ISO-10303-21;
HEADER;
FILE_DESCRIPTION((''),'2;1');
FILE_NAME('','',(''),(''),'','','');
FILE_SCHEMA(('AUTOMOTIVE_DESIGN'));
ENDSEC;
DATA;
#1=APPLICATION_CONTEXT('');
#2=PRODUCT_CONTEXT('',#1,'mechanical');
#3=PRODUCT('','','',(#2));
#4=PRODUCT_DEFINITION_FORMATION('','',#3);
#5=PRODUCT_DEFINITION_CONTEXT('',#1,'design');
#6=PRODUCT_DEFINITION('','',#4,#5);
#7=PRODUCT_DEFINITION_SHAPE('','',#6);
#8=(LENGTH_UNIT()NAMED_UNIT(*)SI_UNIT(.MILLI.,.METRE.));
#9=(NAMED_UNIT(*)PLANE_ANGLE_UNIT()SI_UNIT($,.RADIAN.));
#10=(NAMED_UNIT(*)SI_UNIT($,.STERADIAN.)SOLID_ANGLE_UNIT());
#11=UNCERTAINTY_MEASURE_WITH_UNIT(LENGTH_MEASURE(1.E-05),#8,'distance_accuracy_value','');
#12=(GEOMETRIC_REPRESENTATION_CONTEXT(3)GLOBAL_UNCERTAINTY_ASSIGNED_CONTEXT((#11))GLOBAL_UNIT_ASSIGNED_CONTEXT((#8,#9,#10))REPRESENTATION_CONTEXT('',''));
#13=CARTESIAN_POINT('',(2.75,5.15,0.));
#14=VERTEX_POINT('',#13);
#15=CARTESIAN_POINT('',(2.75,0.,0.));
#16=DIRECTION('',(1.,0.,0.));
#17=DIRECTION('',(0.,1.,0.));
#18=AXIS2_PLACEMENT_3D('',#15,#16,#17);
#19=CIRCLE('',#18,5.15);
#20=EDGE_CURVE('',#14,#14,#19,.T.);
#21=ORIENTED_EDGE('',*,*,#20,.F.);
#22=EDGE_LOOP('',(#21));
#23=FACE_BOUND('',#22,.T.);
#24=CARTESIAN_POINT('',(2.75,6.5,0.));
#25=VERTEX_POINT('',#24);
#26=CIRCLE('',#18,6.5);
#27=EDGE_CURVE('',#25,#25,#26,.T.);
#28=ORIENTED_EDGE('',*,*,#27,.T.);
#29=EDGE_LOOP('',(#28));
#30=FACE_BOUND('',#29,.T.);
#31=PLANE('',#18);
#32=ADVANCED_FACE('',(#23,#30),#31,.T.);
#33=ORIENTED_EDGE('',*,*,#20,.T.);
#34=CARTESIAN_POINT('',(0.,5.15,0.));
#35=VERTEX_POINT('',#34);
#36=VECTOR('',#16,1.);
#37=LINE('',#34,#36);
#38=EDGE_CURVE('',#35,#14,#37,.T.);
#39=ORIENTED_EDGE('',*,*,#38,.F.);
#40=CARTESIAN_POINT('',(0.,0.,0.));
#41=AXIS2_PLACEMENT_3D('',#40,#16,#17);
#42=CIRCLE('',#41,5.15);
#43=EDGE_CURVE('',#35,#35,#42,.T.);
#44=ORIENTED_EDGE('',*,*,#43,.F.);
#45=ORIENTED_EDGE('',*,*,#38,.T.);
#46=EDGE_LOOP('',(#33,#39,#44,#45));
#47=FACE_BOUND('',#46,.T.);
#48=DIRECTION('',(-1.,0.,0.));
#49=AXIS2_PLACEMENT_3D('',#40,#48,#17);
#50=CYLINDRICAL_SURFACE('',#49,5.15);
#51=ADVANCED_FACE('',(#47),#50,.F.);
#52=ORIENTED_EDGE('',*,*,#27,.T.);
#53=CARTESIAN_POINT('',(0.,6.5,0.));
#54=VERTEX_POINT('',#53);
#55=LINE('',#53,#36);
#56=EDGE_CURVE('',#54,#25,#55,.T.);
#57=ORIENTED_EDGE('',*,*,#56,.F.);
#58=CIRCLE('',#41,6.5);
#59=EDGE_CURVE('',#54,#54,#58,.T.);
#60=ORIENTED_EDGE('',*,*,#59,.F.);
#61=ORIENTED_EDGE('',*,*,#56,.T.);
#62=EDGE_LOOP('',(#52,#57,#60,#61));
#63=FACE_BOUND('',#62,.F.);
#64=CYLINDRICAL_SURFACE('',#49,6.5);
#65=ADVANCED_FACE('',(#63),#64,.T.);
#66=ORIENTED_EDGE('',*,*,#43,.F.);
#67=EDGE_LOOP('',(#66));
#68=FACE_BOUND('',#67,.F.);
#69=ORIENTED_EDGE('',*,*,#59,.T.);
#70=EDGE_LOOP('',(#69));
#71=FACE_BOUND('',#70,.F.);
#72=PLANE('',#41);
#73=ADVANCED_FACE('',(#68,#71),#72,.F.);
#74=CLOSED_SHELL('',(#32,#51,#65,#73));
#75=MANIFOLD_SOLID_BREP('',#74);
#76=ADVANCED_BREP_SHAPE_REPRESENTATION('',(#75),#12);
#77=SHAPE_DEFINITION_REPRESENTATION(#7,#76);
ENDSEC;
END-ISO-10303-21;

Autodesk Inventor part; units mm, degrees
ref_plane "YZ Plane" through (0, 0, 0) normal (1, 0, 0) x (0, 1, 0)
ref_plane "XZ Plane" through (0, 0, 0) normal (0, 1, 0) x (-1, 0, 0)
ref_plane "XY Plane" through (0, 0, 0) normal (0, 0, 1) x (1, 0, 0)
sketch "スケッチ1" plane through (0, 0, 0) normal (1, 0, 0) x (0, 1, 0)
  circle A0 centre (0, 0) radius 5.15
  circle A1 centre (0, 0) radius 6.5
  dimension "d0" = 10.3
  dimension "d1" = 13
extrude "押し出し1" add sketch "スケッチ1" along normal blind 2.75
properties part number "RZvector-v1-3DP-P-Spacer-4" material "ABS プラスチック"
